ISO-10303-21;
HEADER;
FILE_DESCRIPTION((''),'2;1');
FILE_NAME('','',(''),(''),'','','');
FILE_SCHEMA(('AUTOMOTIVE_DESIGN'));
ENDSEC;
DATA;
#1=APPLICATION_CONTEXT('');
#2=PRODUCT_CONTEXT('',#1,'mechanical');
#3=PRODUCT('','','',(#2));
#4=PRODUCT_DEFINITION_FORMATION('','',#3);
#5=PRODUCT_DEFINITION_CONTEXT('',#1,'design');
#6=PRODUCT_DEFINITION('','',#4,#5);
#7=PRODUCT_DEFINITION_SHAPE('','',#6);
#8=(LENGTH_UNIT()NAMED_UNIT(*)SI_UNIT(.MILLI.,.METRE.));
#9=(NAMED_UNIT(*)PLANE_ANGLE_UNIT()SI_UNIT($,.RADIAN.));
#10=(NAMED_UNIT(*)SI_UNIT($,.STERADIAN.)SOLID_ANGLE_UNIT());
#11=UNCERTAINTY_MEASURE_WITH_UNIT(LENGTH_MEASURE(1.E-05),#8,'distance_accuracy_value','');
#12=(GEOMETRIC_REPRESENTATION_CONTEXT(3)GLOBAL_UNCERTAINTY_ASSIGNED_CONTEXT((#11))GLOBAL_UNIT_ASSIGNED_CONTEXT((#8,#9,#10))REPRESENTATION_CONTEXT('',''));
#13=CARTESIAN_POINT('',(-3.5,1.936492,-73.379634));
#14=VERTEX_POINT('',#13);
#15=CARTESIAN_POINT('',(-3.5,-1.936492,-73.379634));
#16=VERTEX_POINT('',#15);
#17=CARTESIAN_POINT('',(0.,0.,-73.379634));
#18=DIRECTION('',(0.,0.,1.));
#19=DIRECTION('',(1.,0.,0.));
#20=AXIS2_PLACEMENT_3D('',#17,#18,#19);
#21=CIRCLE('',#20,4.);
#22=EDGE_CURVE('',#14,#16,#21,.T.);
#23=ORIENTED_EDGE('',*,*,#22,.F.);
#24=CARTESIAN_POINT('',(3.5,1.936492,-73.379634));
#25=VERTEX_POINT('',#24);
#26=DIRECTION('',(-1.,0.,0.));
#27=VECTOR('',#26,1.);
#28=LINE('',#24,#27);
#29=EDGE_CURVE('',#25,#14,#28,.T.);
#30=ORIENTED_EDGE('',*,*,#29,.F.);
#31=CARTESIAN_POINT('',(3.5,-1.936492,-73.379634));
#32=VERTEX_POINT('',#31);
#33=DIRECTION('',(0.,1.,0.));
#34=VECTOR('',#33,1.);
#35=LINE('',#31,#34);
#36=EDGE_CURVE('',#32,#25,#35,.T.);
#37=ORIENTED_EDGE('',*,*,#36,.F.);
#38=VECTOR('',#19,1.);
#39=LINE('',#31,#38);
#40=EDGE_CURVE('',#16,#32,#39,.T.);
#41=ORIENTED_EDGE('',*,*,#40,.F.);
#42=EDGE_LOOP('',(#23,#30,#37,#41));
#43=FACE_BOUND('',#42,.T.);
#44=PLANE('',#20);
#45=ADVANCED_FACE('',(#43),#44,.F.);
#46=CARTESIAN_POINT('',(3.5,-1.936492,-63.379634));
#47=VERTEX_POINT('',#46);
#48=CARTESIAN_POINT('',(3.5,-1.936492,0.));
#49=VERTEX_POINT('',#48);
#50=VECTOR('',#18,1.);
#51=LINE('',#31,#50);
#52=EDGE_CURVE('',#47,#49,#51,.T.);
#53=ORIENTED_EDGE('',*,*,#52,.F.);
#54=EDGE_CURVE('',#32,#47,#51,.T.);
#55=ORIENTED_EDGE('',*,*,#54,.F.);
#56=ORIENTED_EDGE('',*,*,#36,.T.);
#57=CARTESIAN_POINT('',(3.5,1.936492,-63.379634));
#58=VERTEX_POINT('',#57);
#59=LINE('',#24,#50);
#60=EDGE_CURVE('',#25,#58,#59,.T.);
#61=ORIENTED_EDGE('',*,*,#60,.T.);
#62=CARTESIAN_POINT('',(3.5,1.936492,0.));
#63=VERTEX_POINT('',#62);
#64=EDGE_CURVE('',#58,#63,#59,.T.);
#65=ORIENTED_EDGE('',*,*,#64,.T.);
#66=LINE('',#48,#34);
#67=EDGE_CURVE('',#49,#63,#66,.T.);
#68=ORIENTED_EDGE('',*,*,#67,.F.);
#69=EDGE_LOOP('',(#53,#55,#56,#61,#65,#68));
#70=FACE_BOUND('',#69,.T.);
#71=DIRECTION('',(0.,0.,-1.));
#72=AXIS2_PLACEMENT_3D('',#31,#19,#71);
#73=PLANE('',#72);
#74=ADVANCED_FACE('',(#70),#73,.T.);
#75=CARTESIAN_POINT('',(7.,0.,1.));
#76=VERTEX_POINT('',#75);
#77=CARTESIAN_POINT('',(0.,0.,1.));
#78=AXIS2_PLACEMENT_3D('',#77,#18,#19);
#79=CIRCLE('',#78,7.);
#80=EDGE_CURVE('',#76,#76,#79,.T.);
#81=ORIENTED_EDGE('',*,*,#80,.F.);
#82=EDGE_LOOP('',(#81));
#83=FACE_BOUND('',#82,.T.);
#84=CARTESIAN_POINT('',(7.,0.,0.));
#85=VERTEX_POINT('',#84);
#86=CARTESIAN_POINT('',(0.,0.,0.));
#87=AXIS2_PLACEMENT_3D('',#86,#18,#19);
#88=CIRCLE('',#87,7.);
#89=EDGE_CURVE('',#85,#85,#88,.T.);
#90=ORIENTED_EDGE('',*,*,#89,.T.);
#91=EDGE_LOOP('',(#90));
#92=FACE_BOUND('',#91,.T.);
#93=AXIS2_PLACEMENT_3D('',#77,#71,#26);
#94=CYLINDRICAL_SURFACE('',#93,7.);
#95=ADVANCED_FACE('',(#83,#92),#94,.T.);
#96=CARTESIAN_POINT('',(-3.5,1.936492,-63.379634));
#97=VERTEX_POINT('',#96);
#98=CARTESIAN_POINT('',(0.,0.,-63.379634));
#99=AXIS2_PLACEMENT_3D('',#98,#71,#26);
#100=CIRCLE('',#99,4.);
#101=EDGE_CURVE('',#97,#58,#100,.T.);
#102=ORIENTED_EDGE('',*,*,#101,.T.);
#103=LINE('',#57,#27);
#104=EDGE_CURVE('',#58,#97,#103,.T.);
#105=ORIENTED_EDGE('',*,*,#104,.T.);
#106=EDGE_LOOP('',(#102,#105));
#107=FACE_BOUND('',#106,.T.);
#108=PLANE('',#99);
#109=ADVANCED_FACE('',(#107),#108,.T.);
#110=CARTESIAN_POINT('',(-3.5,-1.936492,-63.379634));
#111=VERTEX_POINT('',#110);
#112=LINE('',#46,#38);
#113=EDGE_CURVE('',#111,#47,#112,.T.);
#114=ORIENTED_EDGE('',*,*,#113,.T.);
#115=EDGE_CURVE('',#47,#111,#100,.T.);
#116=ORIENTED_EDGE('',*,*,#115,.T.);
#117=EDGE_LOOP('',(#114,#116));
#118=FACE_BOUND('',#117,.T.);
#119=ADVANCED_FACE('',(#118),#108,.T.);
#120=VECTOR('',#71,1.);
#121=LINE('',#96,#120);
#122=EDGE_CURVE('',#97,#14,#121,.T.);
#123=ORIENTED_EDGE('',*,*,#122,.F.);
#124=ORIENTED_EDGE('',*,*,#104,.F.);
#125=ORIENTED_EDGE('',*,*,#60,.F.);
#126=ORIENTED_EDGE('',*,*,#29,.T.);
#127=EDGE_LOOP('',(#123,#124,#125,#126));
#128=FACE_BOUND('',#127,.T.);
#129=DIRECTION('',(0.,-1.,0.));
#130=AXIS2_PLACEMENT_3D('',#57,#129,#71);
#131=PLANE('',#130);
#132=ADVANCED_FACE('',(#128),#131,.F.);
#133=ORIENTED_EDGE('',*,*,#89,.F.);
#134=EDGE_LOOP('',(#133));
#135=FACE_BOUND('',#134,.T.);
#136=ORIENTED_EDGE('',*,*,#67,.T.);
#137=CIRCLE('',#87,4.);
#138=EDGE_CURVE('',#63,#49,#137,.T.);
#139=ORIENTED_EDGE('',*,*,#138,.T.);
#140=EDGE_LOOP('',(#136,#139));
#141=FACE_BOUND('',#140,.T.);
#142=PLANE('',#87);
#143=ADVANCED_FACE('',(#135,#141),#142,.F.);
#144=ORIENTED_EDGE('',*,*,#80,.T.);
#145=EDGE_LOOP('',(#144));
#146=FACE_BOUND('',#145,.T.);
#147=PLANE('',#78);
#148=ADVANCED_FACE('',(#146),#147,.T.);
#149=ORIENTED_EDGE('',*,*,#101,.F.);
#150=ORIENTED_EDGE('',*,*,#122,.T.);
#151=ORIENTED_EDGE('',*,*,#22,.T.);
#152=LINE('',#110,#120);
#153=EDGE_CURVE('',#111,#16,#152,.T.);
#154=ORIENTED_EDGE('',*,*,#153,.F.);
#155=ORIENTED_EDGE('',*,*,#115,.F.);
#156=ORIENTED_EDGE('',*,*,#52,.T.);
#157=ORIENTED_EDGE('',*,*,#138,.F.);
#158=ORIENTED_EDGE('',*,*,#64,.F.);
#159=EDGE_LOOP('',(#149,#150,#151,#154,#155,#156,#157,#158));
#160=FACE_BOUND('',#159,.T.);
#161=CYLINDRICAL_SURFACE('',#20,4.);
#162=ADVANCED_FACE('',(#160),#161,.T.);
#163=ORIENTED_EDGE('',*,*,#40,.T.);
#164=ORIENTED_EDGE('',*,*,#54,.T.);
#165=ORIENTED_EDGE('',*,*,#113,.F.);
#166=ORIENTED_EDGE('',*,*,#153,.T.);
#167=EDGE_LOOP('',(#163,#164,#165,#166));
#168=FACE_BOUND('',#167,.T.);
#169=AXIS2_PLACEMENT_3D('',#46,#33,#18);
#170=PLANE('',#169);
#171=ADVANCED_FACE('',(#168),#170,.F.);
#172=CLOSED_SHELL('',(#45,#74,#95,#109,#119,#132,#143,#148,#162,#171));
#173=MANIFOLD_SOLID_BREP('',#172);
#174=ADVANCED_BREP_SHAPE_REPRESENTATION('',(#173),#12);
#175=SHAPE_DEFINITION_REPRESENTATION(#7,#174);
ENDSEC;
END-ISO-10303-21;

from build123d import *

# Parameters (mm, degrees)
BOSS_EXTRUDE1_DEPTH = 73.3796339
SKETCH2_R           = 7
BOSS_EXTRUDE2_DEPTH = 1
CUT_EXTRUDE1_START  = -10
CUT_EXTRUDE1_DEPTH  = 10


with BuildPart() as part:
    # Sketch1 → Boss-Extrude1 (new body)
    with BuildSketch(Plane.XY):
        with BuildLine():
            Line((3.5, -1.936491673), (3.5, 1.936491673))
            ThreePointArc((3.5, 1.936491673), (-4, 0), (3.5, -1.936491673))
        make_face()
    extrude(amount=-BOSS_EXTRUDE1_DEPTH)

    # Sketch2 → Boss-Extrude2 (add)
    with BuildSketch(Plane.XY):
        Circle(SKETCH2_R)
    extrude(amount=BOSS_EXTRUDE2_DEPTH)

    # Sketch3 → Cut-Extrude1 (cut)
    with BuildSketch(Plane(origin=(0, 0, -73.3796339), x_dir=(-1, 0, 0), z_dir=(0, 0, -1)).offset(CUT_EXTRUDE1_START)):
        with BuildLine():
            Line((-3.5, 1.936491673), (3.5, 1.936491673))
            ThreePointArc((3.5, 1.936491673), (0, 4), (-3.5, 1.936491673))
        make_face()
        with BuildLine():
            Line((-3.5, -1.936491673), (3.5, -1.936491673))
            ThreePointArc((3.5, -1.936491673), (0, -4), (-3.5, -1.936491673))
        make_face()
    extrude(amount=CUT_EXTRUDE1_DEPTH, mode=Mode.SUBTRACT)


solid = part.part
